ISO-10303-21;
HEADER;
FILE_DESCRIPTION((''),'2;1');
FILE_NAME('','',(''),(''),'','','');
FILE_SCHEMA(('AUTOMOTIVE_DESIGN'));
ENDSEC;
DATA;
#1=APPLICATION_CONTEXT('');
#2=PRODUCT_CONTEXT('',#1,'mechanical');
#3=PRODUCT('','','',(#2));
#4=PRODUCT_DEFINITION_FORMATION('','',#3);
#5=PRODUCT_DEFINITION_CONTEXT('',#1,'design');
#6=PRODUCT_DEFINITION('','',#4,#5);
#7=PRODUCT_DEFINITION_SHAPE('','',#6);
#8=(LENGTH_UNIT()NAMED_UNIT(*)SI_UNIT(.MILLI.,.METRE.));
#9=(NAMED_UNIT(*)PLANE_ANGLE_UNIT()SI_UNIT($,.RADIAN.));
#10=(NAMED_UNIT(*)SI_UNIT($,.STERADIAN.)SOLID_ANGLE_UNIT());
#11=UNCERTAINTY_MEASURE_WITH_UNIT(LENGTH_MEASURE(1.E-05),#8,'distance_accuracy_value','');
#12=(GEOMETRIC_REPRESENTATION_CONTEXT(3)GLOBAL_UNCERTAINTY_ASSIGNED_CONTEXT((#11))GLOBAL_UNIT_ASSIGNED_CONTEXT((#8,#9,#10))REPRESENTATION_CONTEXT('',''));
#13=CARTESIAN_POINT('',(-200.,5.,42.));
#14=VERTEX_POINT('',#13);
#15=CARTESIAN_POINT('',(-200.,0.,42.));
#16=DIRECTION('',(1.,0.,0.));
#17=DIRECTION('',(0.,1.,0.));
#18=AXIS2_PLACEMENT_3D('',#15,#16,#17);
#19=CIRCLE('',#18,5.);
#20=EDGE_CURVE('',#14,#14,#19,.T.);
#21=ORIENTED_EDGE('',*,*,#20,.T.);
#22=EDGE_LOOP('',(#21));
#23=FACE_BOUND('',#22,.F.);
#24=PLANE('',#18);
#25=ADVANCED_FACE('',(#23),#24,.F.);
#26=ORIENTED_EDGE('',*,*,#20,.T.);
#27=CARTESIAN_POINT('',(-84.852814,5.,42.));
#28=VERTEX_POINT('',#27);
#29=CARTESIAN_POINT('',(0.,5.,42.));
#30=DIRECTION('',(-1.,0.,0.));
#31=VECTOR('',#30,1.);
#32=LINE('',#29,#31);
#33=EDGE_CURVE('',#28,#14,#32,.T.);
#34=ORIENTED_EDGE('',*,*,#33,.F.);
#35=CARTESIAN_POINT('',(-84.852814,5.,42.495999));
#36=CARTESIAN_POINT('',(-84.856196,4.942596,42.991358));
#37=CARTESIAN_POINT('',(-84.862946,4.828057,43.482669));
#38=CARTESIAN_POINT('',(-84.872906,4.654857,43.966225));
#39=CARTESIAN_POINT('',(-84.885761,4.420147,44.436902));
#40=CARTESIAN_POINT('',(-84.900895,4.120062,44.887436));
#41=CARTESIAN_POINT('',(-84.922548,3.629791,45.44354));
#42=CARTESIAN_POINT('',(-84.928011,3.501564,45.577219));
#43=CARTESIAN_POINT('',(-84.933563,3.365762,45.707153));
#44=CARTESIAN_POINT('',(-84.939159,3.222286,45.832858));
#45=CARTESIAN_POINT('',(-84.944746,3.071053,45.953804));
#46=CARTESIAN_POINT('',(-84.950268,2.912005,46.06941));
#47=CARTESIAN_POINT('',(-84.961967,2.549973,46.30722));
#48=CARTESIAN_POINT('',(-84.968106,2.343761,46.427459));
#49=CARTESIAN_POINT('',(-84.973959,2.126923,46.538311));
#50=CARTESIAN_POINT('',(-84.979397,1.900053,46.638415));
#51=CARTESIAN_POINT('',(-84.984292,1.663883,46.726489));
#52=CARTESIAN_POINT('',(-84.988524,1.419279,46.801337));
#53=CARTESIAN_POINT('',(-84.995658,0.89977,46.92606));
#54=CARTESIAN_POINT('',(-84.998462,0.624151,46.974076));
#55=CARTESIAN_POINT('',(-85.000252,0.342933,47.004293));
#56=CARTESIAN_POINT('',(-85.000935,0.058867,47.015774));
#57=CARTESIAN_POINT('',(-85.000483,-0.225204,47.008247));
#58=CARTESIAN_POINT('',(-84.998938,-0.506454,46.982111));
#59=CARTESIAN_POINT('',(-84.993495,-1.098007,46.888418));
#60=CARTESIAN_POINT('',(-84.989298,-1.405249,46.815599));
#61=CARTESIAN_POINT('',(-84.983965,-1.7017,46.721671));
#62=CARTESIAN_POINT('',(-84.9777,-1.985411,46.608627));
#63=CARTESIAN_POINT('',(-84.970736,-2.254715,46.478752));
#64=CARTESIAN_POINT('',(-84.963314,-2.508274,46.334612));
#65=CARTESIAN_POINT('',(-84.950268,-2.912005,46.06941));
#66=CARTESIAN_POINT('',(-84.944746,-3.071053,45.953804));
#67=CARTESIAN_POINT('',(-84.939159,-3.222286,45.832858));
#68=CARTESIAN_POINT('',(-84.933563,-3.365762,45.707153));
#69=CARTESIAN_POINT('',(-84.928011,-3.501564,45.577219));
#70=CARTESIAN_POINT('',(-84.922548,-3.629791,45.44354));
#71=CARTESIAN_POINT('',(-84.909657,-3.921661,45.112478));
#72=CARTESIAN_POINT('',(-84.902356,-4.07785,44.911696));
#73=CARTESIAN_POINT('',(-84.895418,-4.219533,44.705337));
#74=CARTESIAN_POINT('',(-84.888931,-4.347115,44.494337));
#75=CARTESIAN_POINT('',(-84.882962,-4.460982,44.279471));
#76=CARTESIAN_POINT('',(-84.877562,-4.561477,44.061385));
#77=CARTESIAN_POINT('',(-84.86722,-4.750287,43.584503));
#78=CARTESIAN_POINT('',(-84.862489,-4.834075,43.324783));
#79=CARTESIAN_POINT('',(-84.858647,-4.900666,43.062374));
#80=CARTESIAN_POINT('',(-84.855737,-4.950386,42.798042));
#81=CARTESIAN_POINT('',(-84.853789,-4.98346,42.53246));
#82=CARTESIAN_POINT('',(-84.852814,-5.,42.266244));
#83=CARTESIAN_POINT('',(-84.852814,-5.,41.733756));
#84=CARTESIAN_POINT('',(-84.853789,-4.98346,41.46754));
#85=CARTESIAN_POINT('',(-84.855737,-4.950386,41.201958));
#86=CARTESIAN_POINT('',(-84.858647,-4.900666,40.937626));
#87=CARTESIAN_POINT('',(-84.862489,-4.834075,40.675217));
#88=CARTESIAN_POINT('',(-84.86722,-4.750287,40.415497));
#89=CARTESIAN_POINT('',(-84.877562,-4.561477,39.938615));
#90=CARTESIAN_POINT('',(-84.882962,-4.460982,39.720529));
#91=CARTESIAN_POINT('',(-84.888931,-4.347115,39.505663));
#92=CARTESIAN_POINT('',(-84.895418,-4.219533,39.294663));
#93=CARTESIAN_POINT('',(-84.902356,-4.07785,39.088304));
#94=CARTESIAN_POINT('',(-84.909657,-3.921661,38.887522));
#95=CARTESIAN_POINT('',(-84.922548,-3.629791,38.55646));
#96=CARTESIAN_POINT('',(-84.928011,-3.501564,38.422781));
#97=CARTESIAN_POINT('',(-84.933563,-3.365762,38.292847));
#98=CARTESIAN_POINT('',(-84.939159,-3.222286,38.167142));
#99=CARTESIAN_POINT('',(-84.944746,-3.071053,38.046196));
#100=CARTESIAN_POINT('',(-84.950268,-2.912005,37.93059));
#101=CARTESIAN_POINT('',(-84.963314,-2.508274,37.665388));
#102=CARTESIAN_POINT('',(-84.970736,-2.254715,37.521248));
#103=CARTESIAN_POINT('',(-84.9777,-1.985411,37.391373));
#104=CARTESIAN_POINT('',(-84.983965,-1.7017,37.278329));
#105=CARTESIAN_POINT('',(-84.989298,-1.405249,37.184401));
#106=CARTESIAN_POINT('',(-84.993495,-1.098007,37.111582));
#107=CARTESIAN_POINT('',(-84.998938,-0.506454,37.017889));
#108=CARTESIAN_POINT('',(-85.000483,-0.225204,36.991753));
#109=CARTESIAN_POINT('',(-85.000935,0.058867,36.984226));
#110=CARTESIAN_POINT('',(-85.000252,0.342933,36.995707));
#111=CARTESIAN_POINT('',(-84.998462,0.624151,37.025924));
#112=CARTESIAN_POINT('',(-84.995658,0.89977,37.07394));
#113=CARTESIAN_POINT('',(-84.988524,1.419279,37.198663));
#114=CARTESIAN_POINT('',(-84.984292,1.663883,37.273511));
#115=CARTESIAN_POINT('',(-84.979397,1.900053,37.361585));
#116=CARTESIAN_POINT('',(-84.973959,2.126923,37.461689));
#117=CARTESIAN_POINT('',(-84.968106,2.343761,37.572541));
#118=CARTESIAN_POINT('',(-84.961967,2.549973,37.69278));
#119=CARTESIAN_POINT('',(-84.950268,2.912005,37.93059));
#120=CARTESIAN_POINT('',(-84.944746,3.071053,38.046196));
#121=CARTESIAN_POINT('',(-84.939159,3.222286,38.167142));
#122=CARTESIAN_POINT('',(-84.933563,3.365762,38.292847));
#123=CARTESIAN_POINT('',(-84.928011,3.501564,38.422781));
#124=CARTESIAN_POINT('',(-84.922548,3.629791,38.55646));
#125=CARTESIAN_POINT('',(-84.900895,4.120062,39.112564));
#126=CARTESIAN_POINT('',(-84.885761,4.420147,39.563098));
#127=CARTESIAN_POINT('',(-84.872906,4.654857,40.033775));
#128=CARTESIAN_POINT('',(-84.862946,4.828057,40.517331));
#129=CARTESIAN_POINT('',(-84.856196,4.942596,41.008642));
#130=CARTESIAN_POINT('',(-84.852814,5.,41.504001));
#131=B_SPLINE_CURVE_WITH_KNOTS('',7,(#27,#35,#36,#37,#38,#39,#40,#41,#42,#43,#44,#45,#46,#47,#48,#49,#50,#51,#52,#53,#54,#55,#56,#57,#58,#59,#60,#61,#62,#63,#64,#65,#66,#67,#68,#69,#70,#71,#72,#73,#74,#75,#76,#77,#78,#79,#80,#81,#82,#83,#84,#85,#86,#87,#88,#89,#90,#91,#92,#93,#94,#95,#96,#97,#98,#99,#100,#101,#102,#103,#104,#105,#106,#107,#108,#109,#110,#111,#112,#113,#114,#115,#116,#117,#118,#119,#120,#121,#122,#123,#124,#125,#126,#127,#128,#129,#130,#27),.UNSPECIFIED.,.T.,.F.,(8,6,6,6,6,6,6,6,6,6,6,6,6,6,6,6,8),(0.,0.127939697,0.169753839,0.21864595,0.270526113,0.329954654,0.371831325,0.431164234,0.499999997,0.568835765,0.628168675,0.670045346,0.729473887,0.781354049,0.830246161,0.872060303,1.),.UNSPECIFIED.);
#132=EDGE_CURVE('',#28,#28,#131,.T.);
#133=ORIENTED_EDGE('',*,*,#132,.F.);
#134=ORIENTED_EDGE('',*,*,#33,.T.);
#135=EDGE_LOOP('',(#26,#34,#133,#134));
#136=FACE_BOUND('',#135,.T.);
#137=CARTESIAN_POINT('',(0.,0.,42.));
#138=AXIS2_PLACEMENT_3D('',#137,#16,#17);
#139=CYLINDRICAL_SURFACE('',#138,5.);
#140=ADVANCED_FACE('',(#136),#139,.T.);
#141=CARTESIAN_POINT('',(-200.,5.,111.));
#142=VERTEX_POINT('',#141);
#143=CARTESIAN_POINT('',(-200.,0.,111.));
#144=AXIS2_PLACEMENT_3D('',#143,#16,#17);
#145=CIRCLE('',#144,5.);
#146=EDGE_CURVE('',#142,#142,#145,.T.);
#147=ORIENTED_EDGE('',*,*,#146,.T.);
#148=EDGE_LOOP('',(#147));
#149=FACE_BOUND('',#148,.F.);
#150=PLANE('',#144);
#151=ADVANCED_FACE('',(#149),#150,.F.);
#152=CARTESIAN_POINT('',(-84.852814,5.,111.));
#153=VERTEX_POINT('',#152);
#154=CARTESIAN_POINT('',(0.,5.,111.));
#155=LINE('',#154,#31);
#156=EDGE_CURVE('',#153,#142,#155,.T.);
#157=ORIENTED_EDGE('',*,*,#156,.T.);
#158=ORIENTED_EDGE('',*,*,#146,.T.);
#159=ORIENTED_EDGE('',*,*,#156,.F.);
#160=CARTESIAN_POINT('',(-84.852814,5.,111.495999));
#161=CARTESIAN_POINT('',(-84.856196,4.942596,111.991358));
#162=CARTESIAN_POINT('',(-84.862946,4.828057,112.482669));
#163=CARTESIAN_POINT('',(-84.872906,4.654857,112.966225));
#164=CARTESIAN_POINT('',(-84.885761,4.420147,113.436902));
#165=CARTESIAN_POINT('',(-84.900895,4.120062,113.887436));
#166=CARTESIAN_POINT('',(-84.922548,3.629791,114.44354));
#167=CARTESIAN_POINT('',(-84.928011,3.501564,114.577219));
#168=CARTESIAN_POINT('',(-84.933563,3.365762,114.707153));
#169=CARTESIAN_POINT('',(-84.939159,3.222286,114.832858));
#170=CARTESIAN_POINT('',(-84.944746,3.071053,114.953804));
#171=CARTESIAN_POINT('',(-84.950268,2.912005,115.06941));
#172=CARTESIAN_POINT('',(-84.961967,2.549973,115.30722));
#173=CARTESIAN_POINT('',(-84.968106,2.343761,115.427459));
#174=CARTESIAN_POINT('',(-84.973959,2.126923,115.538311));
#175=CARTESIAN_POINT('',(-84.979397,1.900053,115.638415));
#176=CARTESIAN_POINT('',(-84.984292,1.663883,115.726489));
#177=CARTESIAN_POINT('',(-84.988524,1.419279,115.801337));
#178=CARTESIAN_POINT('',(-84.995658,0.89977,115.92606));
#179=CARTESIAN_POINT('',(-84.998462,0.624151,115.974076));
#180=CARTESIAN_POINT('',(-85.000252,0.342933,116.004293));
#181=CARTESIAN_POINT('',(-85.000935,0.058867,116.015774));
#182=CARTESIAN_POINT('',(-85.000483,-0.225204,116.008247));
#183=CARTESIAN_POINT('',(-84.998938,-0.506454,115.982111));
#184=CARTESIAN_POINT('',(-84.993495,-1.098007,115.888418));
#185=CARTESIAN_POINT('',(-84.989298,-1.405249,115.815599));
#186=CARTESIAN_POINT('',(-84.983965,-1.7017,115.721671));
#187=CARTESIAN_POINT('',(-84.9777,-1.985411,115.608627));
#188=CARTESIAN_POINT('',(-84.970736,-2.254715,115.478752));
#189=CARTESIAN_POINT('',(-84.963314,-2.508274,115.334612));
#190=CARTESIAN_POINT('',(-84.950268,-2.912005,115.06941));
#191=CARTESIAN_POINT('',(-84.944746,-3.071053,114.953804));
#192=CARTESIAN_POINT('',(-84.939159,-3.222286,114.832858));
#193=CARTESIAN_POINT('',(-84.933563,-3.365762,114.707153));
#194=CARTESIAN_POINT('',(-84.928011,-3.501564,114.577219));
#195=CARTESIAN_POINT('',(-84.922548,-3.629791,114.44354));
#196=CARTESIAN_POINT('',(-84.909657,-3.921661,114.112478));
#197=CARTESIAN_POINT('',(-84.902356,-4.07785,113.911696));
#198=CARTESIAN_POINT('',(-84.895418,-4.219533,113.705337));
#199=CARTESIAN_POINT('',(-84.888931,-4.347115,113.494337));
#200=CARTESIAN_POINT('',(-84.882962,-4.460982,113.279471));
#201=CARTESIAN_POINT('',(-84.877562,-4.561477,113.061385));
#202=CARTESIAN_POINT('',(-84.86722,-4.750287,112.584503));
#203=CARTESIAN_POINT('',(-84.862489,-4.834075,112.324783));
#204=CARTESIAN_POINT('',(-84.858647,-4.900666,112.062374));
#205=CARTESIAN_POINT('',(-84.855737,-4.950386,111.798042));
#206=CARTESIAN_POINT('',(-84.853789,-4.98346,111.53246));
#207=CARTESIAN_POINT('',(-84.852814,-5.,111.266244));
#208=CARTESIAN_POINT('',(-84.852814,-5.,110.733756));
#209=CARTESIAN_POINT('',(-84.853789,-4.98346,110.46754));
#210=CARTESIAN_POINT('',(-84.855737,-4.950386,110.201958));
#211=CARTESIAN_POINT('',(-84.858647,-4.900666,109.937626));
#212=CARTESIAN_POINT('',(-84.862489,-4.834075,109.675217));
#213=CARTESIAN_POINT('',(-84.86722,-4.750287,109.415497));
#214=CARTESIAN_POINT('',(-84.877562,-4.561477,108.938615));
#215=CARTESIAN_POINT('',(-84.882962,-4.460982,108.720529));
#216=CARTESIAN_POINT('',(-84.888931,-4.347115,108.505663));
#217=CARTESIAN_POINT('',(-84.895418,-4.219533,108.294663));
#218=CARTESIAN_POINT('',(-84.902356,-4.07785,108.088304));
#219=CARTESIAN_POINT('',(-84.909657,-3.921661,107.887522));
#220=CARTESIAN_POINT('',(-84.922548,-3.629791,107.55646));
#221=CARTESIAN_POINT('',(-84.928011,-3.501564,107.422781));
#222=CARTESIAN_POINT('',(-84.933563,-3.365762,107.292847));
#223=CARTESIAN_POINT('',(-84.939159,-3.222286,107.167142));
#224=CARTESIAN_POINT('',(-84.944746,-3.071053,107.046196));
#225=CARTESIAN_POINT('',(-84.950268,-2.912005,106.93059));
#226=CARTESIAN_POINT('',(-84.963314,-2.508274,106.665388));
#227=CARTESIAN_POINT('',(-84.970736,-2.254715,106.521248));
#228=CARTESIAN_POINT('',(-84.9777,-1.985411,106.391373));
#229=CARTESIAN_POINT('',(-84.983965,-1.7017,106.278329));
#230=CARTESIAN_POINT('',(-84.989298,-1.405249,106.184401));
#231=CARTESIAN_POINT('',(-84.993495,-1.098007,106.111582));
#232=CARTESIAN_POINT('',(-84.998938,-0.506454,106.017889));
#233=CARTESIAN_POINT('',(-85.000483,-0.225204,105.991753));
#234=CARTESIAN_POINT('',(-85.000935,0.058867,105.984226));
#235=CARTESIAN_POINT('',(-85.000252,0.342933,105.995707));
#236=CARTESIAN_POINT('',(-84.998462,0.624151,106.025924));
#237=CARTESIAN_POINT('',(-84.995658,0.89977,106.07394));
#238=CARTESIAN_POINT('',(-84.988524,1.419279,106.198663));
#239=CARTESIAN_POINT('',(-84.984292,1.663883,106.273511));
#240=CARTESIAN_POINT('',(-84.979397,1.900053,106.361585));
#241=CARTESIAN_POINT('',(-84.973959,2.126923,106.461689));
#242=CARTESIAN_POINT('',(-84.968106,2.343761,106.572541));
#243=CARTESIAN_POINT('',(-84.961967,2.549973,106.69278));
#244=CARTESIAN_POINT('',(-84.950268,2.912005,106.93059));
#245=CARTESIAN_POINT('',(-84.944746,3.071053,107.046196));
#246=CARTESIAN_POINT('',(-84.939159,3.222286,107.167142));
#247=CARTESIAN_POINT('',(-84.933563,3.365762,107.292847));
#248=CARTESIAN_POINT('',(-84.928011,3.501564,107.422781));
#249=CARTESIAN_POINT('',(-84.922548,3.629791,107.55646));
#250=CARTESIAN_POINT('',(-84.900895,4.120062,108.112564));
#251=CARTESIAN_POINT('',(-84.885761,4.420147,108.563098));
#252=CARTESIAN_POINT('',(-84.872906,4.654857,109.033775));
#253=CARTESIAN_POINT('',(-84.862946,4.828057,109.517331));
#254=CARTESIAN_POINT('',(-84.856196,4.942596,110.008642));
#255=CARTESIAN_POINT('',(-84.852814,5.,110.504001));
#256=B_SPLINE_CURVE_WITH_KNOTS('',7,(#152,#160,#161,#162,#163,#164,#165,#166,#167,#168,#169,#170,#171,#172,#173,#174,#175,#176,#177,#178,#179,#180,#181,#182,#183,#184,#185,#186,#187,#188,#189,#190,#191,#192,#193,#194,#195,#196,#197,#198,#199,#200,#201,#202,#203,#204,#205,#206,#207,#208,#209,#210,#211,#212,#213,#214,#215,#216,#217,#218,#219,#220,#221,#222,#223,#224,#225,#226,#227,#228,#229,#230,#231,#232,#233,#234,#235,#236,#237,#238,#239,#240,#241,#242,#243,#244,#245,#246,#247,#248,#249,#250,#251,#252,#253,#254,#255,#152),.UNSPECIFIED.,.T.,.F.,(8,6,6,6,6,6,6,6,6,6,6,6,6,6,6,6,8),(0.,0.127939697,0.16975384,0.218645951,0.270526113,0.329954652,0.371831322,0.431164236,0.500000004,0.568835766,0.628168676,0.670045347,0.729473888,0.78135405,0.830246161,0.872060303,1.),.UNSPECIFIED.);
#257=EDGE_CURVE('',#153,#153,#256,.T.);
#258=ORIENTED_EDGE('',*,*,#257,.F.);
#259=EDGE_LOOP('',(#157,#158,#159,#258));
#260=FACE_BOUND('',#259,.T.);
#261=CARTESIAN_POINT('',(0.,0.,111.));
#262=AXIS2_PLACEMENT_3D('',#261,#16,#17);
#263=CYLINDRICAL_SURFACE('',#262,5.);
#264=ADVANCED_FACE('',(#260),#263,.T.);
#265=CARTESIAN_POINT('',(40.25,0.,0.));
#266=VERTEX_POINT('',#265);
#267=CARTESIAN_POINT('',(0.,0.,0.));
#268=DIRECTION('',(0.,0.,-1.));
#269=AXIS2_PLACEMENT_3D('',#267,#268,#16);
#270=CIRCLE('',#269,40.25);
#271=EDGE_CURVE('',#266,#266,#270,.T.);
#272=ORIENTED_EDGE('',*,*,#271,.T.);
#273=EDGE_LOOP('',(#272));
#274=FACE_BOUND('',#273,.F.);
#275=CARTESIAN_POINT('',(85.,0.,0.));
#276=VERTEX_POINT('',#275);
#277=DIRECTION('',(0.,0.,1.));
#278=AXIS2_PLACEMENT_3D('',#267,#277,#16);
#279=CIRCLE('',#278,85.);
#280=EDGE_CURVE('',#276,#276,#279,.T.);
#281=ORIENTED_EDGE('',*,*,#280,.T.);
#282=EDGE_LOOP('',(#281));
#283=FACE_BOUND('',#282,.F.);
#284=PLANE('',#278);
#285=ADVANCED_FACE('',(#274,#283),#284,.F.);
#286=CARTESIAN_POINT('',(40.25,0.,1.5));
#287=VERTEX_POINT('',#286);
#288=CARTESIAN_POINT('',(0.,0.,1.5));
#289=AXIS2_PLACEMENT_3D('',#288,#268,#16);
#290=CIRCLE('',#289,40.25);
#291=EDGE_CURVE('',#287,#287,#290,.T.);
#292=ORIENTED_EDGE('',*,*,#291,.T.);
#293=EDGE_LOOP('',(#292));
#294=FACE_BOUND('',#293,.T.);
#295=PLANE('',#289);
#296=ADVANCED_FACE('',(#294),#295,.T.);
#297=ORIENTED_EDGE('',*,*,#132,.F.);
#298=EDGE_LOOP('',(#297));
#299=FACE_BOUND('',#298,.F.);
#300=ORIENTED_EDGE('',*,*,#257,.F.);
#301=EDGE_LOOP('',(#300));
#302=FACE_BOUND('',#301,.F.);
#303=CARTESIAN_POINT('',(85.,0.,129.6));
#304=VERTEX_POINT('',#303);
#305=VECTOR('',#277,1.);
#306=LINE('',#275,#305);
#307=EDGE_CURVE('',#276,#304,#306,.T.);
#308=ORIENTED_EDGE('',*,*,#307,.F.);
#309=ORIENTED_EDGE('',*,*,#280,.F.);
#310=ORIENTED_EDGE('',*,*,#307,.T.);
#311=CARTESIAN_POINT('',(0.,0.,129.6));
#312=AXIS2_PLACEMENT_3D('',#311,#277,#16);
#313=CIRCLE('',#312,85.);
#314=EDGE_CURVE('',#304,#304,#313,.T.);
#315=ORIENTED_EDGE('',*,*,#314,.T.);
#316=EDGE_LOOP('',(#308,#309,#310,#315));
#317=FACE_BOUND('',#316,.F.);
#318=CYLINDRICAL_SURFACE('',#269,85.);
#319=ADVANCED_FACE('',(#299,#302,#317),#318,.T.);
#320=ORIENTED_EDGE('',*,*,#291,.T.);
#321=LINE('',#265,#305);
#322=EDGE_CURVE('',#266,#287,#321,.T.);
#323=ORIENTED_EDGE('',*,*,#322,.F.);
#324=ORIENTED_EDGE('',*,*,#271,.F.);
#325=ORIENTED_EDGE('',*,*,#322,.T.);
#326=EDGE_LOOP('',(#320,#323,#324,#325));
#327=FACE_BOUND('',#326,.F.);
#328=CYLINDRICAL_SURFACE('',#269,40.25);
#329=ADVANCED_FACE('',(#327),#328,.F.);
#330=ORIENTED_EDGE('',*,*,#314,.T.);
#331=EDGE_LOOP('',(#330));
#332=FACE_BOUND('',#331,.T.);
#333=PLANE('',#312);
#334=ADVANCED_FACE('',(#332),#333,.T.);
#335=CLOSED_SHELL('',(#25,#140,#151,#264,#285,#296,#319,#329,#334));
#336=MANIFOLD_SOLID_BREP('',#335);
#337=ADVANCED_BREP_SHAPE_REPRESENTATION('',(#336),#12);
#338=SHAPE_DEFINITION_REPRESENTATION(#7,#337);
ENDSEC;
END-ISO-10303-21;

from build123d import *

# Parameters (mm, degrees)
F0_R     = 85
F1_DEPTH = 129.6
F2_R     = 5
F3_DEPTH = 200
F4_R     = 40.25
F5_DEPTH = 1.5


with BuildPart() as f1:
    # F0 (on Top) → F1 (new body)
    with BuildSketch(Plane.XY):
        Circle(F0_R)
    extrude(amount=F1_DEPTH)

    # F2 (on Right) → F3 (join)
    with BuildSketch(Plane.YZ):
        with Locations((0, 42)):
            Circle(F2_R)
        with Locations((0, 111)):
            Circle(F2_R)
    extrude(amount=-F3_DEPTH)

    # F4 (on face) → F5 (cut)
    with BuildSketch(Plane(origin=(0, 0, 0), x_dir=(1, 0, 0), z_dir=(0, 0, -1))):
        Circle(F4_R)
    extrude(amount=-F5_DEPTH, mode=Mode.SUBTRACT)


solid = f1.part
